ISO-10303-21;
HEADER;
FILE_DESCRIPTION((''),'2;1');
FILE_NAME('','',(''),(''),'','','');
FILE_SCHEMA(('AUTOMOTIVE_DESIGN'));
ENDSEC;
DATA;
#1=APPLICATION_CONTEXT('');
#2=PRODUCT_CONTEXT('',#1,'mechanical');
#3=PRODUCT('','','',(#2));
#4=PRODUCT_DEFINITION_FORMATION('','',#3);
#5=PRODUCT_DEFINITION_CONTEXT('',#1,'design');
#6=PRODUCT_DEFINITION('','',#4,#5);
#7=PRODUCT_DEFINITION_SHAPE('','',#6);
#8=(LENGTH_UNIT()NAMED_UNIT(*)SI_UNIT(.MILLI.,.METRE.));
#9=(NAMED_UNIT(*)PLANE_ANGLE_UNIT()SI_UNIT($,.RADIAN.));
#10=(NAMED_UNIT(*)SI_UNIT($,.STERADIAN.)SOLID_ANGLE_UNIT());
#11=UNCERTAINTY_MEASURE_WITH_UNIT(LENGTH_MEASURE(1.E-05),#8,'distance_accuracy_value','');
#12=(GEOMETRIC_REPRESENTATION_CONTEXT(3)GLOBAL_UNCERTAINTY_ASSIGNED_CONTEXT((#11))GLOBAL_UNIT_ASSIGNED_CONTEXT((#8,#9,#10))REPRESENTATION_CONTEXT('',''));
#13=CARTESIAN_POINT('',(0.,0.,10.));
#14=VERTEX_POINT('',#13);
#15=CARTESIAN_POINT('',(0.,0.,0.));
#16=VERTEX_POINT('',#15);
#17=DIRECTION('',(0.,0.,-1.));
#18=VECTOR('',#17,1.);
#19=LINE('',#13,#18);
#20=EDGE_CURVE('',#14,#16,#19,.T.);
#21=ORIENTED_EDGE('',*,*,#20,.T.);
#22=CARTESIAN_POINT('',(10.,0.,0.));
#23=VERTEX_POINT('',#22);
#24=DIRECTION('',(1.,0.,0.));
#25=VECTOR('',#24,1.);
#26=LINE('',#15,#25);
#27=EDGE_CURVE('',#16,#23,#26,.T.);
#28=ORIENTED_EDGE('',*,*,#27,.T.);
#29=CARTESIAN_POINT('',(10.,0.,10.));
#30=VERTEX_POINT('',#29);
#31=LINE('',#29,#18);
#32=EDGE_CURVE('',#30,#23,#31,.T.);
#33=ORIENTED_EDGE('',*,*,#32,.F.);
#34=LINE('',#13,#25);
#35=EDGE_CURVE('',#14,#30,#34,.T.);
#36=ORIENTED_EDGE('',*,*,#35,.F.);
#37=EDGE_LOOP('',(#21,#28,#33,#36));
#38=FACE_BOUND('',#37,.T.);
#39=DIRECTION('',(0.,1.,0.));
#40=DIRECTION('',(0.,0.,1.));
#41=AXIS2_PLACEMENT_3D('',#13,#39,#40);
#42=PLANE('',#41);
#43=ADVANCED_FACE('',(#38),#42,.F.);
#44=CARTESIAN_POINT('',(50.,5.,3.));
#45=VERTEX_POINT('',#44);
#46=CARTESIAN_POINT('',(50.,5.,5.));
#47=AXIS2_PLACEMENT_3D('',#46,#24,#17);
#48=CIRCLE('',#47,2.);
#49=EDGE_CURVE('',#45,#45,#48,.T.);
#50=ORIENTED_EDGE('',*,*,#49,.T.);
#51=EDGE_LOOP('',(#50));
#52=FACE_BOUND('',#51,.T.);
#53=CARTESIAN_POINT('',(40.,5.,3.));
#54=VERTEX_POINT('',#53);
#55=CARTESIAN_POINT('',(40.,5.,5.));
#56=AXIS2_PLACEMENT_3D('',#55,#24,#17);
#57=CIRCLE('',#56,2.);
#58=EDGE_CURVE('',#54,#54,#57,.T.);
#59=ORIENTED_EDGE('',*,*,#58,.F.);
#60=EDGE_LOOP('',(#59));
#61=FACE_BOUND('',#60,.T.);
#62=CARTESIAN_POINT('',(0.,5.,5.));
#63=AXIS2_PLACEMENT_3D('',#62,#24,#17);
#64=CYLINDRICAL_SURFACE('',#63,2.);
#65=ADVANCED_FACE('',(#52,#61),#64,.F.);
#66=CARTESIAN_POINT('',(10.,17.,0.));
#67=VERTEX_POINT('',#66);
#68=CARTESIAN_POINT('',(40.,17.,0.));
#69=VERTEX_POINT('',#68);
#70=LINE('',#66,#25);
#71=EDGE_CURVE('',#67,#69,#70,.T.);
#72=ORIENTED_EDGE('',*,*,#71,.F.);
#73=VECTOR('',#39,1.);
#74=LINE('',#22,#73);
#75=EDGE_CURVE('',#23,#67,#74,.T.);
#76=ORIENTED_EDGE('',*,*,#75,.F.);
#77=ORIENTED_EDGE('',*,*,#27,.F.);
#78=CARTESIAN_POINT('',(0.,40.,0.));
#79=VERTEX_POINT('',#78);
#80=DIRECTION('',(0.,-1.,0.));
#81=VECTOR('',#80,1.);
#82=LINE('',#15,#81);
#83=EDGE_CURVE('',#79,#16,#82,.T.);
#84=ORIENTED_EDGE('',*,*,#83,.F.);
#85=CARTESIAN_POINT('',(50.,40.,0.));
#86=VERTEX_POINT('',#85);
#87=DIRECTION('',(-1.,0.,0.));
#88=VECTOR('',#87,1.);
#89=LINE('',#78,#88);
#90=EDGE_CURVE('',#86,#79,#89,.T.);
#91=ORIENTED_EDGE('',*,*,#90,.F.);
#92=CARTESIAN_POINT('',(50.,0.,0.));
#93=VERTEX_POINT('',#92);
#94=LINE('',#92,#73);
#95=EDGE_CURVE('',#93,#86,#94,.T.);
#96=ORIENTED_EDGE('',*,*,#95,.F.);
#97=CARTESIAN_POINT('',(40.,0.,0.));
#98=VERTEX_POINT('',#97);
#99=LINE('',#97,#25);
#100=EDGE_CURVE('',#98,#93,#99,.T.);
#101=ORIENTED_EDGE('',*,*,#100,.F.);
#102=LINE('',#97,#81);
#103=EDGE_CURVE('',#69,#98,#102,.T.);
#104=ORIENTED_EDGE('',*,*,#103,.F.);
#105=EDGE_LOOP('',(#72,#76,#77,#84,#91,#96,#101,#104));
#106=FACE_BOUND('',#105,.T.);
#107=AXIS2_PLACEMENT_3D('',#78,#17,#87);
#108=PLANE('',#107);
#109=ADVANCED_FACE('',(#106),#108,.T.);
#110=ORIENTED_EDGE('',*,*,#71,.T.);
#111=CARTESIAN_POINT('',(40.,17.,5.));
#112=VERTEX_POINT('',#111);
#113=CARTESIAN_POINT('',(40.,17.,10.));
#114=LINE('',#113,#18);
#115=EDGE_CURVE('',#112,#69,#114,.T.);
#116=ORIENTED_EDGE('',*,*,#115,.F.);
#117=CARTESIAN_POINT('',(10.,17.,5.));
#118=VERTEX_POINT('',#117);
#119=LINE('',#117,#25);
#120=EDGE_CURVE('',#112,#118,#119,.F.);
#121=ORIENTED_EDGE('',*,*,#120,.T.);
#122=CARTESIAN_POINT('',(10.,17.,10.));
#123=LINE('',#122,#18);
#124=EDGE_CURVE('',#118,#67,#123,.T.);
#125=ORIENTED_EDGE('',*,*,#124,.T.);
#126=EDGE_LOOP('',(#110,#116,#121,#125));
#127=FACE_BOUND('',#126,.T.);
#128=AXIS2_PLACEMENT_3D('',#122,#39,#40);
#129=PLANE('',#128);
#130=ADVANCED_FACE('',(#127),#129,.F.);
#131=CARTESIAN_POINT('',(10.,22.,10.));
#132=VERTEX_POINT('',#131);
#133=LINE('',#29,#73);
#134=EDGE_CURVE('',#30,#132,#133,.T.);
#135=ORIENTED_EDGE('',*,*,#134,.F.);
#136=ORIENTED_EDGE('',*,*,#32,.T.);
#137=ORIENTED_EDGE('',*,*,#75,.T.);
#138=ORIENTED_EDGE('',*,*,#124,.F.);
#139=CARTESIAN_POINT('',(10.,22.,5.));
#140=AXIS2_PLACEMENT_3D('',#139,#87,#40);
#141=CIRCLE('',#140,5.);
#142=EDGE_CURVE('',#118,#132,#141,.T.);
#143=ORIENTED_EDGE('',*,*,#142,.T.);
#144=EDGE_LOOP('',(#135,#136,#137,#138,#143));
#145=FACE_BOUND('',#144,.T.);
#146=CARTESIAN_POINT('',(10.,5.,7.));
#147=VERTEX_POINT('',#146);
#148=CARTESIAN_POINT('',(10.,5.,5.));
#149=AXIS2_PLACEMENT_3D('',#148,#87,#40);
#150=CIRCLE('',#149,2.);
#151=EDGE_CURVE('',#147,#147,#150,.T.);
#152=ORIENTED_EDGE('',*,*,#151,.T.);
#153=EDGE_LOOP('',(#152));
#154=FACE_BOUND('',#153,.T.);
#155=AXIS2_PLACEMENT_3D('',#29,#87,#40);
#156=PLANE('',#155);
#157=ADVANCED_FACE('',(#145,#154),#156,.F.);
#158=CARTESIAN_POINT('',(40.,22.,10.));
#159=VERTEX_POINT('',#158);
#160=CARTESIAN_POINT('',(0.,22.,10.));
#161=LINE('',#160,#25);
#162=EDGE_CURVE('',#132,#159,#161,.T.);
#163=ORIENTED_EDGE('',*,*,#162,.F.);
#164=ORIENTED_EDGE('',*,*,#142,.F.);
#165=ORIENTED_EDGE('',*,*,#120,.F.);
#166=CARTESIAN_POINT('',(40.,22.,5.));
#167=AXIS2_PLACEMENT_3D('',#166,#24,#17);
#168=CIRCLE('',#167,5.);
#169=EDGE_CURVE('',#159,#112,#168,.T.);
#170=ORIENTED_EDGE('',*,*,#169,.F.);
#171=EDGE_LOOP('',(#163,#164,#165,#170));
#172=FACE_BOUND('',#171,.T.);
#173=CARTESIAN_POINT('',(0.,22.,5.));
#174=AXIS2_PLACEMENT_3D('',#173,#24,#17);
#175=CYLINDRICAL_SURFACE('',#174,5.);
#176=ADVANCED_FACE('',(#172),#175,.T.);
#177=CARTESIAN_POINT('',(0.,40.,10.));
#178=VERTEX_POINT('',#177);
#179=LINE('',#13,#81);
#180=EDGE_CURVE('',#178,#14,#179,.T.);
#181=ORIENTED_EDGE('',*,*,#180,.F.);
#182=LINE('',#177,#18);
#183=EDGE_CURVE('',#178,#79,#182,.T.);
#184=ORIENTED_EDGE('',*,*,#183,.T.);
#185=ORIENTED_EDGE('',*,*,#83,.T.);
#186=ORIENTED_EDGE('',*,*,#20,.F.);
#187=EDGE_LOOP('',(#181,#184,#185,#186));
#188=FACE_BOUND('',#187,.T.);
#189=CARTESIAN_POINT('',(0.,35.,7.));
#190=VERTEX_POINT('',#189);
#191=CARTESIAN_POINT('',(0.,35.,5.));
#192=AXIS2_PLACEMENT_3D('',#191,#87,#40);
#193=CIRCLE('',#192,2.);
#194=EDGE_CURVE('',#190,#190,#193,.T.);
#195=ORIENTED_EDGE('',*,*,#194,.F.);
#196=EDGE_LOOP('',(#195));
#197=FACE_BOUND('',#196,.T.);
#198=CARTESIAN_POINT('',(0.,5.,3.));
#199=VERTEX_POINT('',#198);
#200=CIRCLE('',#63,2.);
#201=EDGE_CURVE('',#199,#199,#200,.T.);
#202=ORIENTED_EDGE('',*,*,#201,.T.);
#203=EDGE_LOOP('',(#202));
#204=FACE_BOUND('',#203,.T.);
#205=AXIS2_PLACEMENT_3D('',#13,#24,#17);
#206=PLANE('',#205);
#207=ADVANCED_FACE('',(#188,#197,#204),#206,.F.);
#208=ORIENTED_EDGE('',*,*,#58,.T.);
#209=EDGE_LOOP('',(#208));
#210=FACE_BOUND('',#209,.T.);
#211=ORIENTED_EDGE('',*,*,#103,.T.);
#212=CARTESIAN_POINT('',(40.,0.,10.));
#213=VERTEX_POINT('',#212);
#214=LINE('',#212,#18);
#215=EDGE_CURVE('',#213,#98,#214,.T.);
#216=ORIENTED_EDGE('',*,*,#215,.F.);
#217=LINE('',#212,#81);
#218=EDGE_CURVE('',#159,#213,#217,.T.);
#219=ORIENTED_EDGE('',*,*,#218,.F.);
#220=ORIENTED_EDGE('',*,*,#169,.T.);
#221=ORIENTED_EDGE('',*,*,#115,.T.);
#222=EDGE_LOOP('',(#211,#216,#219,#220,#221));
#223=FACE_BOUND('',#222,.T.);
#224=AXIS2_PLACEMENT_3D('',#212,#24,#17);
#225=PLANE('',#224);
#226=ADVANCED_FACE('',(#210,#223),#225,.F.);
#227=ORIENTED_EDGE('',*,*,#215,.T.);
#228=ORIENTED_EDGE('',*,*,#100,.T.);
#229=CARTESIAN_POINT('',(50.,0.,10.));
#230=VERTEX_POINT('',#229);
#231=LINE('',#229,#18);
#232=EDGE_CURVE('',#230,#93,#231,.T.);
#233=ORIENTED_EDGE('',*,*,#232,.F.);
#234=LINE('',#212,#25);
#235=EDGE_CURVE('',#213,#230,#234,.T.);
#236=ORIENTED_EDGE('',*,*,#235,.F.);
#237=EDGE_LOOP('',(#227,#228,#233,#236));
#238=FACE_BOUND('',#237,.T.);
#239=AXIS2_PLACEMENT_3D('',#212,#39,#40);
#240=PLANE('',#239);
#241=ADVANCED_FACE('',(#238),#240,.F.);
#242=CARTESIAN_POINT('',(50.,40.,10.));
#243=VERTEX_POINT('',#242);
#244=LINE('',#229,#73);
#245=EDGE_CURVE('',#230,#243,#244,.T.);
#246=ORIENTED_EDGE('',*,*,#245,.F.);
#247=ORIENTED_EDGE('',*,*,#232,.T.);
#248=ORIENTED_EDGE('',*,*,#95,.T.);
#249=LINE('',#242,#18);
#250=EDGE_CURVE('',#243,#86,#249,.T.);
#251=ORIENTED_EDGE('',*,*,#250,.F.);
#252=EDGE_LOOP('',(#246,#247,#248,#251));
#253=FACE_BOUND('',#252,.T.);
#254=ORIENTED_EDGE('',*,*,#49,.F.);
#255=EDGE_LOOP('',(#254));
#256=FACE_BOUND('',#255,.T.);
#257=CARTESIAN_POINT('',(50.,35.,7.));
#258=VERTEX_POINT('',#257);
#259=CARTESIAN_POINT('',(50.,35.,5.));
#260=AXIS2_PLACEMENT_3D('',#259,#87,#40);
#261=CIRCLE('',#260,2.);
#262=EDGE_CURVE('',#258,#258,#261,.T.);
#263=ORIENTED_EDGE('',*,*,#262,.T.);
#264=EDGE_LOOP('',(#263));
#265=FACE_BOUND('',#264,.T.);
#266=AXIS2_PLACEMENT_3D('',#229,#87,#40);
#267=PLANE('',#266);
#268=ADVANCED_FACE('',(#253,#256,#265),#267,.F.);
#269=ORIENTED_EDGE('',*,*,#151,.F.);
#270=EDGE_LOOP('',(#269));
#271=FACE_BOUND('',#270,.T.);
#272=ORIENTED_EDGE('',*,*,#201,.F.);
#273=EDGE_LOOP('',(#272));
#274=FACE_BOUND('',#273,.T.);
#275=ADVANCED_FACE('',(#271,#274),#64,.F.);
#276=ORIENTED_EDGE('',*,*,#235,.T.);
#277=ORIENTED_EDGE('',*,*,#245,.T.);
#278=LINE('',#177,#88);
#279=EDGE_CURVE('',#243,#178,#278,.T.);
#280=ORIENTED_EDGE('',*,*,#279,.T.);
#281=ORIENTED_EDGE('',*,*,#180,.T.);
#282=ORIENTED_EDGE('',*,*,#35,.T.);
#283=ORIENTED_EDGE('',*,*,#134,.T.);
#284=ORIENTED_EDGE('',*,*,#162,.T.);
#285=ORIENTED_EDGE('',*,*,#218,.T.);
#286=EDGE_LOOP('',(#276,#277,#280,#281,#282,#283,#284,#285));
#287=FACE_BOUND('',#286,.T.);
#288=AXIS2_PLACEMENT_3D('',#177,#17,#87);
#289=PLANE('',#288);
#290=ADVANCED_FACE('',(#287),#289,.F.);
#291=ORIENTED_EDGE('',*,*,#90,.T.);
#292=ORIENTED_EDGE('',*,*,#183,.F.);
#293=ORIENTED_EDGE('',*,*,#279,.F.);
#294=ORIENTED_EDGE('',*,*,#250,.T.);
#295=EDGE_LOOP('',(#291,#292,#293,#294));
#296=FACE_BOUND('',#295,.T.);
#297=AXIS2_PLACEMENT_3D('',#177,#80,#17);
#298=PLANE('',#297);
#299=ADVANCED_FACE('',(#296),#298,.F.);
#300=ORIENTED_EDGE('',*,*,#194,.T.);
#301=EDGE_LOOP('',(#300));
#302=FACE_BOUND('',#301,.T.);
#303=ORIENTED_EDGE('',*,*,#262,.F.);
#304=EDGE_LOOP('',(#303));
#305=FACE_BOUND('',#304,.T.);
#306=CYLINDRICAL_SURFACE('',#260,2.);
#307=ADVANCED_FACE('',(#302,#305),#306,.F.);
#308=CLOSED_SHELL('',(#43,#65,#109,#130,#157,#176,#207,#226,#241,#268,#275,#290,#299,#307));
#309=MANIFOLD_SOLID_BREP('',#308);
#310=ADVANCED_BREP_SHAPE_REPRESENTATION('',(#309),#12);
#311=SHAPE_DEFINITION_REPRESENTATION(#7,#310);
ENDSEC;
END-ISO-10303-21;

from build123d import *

# Parameters (mm, degrees)
BOSS_EXTRUDE1_DEPTH = 10
SKETCH2_R           = 2
CUT_EXTRUDE1_DEPTH  = 65.807406984
FILLET1_R           = 5
SKETCH3_R           = 2
CUT_EXTRUDE2_DEPTH  = 65.807406984


with BuildPart() as part:
    # Sketch1 → Boss-Extrude1 (new body)
    with BuildSketch(Plane.XY):
        Polygon((40, 0), (50, 0), (50, 40), (0, 40), (0, 0), (10, 0), (10, 17), (40, 17), align=None)
    extrude(amount=BOSS_EXTRUDE1_DEPTH)

    # Sketch2 → Cut-Extrude1 (cut, through all)
    with BuildSketch(Plane(origin=(50, 0, 0), x_dir=(0, 0, -1), z_dir=(1, 0, 0))):
        with Locations((-5, 5)):
            Circle(SKETCH2_R)
    extrude(amount=-CUT_EXTRUDE1_DEPTH, mode=Mode.SUBTRACT)

    # Fillet1
    fillet1_edges = [part.edges().sort_by_distance(p)[0] for p in [
        (25, 17, 10),
    ]]
    fillet(fillet1_edges, radius=FILLET1_R)

    # Sketch3 → Cut-Extrude2 (cut, through all)
    with BuildSketch(Plane.ZY):
        with Locations((5, 35)):
            Circle(SKETCH3_R)
    extrude(amount=-CUT_EXTRUDE2_DEPTH, mode=Mode.SUBTRACT)


solid = part.part
